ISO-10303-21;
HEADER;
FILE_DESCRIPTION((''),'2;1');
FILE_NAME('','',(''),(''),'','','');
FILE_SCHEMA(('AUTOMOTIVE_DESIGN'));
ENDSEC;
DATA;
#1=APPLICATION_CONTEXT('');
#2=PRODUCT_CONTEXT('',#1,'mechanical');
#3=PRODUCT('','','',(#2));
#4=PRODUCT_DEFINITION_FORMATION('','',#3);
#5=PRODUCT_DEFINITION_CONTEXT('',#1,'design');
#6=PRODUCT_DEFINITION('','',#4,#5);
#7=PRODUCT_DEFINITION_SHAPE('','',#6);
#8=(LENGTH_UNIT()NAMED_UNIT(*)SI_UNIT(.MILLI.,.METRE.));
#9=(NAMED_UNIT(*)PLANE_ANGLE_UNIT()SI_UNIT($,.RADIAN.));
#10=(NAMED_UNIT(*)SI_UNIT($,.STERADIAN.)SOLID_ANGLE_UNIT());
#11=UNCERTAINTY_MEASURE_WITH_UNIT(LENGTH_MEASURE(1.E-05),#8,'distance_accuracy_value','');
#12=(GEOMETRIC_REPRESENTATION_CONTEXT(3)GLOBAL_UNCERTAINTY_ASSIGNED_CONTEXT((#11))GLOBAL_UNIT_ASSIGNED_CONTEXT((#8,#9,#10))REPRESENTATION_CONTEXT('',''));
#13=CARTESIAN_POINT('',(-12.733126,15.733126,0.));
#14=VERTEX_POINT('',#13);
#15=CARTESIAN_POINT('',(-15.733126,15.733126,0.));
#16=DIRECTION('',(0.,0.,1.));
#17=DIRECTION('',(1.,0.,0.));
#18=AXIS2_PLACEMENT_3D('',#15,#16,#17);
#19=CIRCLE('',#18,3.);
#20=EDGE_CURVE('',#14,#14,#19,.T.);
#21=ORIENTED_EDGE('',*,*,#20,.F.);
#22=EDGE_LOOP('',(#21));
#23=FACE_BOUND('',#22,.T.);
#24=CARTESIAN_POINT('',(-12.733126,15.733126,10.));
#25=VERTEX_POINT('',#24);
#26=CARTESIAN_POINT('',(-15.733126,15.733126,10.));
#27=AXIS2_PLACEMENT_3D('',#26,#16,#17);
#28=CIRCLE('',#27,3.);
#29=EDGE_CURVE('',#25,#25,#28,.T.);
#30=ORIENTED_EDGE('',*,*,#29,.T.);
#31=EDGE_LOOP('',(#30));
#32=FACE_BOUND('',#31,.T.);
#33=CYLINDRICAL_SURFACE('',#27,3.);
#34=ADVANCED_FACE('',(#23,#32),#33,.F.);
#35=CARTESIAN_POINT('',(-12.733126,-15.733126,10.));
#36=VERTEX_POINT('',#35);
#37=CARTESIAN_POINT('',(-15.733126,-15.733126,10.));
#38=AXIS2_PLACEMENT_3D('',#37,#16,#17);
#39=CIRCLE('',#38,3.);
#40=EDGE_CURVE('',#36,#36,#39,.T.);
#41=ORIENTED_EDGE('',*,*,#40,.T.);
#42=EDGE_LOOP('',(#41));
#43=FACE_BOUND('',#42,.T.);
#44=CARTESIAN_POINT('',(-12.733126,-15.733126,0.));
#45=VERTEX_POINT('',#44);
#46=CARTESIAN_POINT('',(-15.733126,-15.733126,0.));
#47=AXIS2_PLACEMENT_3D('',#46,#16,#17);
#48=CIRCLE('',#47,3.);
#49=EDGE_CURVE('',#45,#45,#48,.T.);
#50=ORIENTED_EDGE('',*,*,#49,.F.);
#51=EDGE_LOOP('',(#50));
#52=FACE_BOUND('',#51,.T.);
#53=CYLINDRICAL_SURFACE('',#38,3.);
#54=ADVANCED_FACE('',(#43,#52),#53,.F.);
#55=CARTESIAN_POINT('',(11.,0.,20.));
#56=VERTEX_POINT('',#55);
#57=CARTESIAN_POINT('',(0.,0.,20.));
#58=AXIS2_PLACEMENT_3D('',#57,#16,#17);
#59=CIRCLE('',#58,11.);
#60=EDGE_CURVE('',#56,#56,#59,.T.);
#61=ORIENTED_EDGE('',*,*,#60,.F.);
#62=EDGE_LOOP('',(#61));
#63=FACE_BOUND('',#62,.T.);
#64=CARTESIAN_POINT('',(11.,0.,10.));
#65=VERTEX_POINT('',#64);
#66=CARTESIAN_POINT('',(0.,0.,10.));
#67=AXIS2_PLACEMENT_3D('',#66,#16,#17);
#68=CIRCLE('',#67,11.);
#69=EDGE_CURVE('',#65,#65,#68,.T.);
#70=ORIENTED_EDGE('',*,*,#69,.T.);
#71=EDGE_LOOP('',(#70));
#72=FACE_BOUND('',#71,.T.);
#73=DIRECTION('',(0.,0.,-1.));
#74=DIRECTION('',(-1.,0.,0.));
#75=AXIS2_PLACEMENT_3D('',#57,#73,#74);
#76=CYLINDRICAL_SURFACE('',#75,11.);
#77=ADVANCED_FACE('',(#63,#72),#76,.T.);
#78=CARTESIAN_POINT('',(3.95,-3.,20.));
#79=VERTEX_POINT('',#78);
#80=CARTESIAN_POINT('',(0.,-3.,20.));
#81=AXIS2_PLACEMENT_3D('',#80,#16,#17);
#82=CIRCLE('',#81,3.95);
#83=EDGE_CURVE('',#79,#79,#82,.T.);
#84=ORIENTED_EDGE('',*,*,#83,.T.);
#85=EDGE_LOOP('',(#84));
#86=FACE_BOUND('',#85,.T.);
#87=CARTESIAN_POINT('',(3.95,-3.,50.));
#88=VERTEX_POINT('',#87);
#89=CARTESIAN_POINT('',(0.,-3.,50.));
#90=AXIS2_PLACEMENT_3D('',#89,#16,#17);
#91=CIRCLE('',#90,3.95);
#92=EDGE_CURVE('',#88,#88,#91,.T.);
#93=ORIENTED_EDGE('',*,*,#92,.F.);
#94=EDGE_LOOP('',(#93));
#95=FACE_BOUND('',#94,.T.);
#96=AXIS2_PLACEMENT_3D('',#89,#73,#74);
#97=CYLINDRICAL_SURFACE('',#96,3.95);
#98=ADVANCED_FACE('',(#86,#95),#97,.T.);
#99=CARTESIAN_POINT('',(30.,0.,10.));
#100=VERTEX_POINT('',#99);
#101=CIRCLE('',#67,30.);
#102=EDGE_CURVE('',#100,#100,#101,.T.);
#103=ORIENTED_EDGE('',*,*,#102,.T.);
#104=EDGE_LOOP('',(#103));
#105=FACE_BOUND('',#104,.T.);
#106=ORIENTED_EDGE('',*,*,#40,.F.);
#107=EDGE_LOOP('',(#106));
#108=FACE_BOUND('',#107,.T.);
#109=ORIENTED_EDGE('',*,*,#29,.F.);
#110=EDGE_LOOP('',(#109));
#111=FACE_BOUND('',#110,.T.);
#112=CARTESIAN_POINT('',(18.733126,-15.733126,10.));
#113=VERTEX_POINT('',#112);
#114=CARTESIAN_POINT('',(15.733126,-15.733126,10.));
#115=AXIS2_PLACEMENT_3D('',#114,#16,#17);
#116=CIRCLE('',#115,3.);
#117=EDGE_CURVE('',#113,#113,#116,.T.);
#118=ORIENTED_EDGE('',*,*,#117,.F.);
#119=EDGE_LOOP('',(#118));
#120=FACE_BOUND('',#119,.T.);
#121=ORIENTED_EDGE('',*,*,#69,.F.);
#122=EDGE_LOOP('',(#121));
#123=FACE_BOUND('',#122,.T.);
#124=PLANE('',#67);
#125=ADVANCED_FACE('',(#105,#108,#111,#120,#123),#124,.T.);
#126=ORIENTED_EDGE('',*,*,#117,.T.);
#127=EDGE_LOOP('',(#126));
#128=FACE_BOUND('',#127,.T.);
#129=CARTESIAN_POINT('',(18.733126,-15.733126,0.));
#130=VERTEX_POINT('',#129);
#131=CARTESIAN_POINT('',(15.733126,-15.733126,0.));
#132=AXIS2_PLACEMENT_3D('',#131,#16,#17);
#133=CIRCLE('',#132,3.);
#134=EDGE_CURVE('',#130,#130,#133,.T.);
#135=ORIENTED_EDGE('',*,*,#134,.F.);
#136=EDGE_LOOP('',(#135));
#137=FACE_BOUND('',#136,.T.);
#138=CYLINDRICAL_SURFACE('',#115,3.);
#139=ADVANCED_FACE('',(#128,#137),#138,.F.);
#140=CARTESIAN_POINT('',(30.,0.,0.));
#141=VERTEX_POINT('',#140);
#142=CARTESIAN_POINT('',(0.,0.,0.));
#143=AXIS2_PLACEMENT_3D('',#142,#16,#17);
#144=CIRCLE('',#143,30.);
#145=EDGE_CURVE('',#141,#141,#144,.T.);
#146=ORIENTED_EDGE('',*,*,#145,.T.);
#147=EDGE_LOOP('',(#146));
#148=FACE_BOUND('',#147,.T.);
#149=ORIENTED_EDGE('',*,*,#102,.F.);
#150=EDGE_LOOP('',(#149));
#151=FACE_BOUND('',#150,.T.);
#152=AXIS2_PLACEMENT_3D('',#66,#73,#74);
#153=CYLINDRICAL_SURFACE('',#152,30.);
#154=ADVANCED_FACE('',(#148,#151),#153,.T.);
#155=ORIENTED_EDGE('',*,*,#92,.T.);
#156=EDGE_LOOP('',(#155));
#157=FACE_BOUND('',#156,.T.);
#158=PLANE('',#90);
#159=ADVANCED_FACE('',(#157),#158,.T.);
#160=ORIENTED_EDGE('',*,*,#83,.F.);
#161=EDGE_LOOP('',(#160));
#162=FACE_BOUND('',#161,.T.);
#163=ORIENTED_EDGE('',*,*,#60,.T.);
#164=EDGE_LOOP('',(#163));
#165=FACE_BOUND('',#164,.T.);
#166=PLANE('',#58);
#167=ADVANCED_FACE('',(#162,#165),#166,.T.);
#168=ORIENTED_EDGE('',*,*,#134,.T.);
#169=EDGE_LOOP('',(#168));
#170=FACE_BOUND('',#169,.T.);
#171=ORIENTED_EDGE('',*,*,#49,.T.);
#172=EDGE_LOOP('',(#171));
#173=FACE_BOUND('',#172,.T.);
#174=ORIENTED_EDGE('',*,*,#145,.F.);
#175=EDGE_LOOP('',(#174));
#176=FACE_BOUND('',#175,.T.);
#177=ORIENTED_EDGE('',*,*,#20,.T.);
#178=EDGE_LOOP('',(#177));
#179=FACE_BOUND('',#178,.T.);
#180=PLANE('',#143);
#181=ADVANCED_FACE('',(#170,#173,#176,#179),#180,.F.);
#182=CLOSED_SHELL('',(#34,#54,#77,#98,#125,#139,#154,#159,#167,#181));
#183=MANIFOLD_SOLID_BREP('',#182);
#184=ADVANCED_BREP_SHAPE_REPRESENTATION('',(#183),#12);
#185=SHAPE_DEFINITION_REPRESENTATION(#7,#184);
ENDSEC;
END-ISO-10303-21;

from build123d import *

# Parameters (mm, degrees)
SKETCH1_R             = 30
BOSS_EXTRUDE1_DEPTH   = 10
F_6_0MM_DOWEL_HOLE1_D = 6
SKETCH2_R             = 11
BOSS_EXTRUDE2_DEPTH   = 10
SKETCH9_R             = 3.95
BOSS_EXTRUDE3_DEPTH   = 30


with BuildPart() as part:
    # Sketch1 → Boss-Extrude1 (new body)
    with BuildSketch(Plane.XY):
        Circle(SKETCH1_R)
    extrude(amount=BOSS_EXTRUDE1_DEPTH)

    # Ø6.0mm Dowel Hole1 (through all)
    with Locations(Plane.XY.offset(10)):
        with Locations((-15.733125881, 15.733125881), (15.733125881, -15.733125881), (-15.733125881, -15.733125881)):
            Hole(F_6_0MM_DOWEL_HOLE1_D / 2)

    # Sketch2 → Boss-Extrude2 (add)
    with BuildSketch(Plane.XY.offset(10)):
        Circle(SKETCH2_R)
    extrude(amount=BOSS_EXTRUDE2_DEPTH)

    # Sketch9 → Boss-Extrude3 (add)
    with BuildSketch(Plane.XY.offset(20)):
        with Locations((0, -3)):
            Circle(SKETCH9_R)
    extrude(amount=BOSS_EXTRUDE3_DEPTH)


solid = part.part
